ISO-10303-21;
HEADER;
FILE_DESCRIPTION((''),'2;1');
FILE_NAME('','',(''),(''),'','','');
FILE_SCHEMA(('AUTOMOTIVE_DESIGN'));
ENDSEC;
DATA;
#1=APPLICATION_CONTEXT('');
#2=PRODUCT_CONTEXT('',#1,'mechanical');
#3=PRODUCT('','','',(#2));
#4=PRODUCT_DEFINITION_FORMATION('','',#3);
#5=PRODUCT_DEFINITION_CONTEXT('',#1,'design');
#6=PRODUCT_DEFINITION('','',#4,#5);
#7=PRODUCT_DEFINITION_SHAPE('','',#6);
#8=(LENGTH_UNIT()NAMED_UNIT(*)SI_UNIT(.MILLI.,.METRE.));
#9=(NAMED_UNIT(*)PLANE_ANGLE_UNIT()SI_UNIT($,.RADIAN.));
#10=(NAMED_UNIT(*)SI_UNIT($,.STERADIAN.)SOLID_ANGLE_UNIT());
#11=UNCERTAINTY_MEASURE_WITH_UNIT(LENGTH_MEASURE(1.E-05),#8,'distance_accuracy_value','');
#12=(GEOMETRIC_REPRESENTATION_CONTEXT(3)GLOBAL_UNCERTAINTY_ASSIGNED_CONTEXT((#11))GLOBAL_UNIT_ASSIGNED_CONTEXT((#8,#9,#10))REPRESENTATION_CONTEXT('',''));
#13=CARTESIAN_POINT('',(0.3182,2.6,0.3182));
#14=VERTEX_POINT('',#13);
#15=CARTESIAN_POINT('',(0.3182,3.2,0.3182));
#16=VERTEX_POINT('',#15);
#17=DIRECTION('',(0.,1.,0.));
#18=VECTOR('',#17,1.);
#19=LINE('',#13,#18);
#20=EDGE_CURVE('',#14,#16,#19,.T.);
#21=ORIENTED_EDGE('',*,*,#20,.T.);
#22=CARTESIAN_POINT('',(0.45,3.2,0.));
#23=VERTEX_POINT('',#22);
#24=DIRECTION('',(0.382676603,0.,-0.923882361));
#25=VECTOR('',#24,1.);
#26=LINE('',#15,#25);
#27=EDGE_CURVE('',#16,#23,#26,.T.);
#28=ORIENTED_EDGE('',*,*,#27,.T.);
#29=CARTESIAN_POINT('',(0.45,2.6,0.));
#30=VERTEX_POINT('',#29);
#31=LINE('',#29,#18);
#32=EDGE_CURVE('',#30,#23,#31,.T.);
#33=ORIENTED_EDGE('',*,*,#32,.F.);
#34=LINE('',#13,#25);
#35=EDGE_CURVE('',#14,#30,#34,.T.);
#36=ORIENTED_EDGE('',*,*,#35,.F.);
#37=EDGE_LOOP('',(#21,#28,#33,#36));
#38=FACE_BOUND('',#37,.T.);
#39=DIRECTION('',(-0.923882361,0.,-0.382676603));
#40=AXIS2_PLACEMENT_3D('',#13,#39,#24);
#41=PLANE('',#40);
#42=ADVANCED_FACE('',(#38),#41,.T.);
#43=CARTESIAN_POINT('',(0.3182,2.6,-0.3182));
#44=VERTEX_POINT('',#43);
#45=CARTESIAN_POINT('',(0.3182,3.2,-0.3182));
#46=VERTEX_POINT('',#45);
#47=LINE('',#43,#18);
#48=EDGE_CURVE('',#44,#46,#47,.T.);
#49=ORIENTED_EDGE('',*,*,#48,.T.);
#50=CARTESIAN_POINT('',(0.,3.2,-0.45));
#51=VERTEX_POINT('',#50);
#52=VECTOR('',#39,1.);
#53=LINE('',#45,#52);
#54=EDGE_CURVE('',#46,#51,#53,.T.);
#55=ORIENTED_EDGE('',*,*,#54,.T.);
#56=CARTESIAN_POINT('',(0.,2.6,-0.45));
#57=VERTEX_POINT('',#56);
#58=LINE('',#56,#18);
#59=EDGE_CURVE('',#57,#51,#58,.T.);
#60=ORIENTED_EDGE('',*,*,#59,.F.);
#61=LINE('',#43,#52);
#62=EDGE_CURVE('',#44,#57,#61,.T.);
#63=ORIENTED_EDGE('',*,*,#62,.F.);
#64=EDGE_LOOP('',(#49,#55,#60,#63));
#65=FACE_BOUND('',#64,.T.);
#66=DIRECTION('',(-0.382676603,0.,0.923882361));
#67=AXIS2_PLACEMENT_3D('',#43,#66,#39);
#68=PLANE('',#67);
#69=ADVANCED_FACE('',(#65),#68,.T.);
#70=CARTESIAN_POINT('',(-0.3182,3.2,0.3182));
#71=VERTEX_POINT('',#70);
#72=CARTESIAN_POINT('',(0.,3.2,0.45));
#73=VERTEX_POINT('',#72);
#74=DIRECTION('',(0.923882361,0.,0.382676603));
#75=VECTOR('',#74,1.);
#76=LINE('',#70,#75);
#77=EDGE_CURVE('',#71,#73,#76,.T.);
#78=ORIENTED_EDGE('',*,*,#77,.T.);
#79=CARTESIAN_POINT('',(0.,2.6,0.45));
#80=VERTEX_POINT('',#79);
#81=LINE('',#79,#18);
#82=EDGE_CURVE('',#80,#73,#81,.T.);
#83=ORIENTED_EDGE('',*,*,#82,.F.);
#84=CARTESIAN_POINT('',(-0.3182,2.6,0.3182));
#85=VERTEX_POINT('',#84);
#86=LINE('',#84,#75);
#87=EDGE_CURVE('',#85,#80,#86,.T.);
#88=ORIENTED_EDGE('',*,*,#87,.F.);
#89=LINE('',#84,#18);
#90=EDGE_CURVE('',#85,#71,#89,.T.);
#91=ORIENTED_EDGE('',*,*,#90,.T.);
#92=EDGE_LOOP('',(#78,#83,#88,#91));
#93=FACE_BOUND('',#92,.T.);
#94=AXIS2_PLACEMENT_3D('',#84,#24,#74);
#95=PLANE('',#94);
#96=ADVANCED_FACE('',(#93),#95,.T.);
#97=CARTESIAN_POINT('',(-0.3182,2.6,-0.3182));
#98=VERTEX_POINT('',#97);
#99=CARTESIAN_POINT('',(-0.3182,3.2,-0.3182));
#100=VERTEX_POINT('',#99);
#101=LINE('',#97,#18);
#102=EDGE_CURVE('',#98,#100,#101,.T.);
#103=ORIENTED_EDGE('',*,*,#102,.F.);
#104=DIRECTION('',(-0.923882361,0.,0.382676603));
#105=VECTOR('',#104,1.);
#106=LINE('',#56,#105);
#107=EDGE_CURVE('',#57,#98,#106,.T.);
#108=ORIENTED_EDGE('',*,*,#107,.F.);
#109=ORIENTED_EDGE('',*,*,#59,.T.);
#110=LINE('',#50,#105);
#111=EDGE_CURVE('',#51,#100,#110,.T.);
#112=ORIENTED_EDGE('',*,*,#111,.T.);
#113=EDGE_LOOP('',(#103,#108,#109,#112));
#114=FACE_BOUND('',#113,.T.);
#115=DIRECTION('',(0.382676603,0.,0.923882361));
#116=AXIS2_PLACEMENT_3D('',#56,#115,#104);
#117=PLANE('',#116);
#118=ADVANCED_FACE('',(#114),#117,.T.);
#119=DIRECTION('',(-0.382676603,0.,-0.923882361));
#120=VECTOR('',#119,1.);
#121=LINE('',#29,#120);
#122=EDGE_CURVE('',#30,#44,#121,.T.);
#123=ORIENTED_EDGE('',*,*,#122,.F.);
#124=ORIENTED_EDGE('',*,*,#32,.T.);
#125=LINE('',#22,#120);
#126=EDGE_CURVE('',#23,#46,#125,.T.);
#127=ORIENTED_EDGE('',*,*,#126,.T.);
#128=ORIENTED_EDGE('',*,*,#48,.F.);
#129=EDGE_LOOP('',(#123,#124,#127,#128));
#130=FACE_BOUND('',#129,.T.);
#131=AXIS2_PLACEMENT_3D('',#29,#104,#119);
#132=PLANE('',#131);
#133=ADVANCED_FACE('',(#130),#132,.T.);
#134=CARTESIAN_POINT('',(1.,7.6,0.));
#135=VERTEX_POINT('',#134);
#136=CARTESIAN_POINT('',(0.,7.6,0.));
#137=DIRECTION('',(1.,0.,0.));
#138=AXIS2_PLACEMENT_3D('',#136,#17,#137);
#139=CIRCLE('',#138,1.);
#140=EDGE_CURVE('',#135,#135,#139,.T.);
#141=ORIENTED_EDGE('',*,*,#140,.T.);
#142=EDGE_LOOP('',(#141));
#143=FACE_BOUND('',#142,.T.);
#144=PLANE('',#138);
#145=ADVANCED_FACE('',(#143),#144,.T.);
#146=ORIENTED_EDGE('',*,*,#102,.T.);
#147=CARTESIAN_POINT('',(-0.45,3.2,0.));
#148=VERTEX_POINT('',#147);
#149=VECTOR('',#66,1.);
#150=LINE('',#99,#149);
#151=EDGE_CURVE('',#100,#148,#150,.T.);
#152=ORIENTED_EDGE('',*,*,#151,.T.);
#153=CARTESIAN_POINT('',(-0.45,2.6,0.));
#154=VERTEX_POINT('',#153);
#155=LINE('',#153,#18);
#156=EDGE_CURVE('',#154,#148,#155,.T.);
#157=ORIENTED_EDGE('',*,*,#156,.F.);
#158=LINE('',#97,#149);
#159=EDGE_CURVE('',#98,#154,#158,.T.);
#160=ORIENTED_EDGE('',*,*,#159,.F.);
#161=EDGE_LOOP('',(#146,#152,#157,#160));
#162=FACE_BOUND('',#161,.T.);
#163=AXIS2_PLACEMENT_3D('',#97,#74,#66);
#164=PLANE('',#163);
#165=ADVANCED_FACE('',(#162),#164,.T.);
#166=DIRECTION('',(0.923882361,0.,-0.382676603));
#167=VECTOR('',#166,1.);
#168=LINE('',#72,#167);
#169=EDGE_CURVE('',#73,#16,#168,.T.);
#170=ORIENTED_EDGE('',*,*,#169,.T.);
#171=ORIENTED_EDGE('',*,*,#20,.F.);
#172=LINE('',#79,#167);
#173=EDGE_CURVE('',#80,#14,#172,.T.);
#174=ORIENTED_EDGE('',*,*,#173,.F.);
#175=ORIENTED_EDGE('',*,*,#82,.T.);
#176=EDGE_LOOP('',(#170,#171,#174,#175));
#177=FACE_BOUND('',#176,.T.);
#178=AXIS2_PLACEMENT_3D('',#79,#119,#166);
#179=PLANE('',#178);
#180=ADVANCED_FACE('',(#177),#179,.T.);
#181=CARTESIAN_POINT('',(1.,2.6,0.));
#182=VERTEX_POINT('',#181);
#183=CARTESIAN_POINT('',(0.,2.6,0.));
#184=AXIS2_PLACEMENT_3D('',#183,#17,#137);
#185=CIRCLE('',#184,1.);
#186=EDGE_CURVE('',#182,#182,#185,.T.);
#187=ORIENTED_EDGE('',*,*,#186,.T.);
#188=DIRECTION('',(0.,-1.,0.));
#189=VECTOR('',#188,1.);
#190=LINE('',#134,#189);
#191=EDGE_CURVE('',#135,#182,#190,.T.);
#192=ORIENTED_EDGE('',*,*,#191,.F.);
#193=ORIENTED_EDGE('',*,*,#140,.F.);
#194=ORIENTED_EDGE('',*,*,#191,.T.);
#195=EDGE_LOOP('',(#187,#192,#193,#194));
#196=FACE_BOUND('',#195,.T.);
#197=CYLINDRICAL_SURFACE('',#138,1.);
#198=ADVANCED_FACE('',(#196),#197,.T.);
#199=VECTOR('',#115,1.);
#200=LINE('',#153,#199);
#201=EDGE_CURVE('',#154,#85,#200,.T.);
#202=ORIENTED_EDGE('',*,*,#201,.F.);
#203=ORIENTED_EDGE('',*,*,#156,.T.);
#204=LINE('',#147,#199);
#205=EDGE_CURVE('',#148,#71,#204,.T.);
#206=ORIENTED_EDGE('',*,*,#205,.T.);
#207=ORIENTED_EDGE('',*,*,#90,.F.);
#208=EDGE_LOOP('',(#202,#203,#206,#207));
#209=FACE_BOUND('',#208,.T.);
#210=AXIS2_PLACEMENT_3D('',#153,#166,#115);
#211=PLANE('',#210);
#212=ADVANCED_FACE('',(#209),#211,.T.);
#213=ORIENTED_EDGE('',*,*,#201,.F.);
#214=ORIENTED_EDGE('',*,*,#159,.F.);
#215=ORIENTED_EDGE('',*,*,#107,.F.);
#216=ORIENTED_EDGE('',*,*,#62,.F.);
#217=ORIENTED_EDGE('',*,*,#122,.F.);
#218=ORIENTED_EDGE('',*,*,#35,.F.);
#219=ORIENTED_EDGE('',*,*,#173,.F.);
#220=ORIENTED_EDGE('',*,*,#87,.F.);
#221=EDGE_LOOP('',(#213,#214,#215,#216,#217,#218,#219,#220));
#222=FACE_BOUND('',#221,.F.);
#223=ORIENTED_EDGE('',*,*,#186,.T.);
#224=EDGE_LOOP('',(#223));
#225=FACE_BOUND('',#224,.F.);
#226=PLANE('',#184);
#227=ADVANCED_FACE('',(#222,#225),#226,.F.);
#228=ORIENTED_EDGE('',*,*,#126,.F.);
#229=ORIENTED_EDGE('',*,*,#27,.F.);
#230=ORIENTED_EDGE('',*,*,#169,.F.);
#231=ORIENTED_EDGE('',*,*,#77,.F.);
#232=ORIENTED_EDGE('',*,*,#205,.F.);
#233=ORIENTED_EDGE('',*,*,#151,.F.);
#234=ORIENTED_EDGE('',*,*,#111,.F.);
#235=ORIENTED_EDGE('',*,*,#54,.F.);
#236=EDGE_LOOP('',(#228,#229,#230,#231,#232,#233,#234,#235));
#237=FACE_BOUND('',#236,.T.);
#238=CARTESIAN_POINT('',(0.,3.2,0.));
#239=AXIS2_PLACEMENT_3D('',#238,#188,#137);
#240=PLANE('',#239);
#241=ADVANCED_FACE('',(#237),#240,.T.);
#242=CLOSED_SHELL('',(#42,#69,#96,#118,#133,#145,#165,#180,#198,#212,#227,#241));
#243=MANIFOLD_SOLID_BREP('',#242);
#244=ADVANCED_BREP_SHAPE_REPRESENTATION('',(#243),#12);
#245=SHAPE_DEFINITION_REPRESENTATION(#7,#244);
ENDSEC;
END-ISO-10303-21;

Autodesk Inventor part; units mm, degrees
ref_plane "YZ Plane" through (0, 0, 0) normal (1, 0, 0) x (0, 1, 0)
ref_plane "Work Plane4" through (0, 0, 0) normal (0, -1, 0) x (1, 0, 0)
ref_plane "Work Plane10" through (0, 7.6, 0) normal (0, 1, 0) x (1, 0, 0)
sketch "Sketch7" plane through (0, 7.6, 0) normal (0, 1, 0) x (1, 0, 0)
  circle A0 centre (0, 0) radius 1
  dimension "d57" = 2
extrude "Extrusion7" add sketch "Sketch7" against normal blind 5
sketch "Sketch8" plane through (0, 2.6, 0) normal (0, -1, 0) x (1, 0, 0)
  line L0 (0.45, 0) -> (0.3182, -0.3182)
  line L1 (0.3182, -0.3182) -> (0, -0.45)
  line L2 (0, -0.45) -> (-0.3182, -0.3182)
  line L3 (-0.3182, -0.3182) -> (-0.45, 0)
  line L4 (-0.45, 0) -> (-0.3182, 0.3182)
  line L5 (-0.3182, 0.3182) -> (0, 0.45)
  line L6 (0, 0.45) -> (0.3182, 0.3182)
  line L7 (0.3182, 0.3182) -> (0.45, 0)
  point P0 (0, 0)
extrude "Extrusion8" cut sketch "Sketch8" against normal blind 0.6
thread "Thread4" size "M2x0.4" class "6g" standard "ANSI Metric M Profile" full length
properties part number "M2x6_D963"
